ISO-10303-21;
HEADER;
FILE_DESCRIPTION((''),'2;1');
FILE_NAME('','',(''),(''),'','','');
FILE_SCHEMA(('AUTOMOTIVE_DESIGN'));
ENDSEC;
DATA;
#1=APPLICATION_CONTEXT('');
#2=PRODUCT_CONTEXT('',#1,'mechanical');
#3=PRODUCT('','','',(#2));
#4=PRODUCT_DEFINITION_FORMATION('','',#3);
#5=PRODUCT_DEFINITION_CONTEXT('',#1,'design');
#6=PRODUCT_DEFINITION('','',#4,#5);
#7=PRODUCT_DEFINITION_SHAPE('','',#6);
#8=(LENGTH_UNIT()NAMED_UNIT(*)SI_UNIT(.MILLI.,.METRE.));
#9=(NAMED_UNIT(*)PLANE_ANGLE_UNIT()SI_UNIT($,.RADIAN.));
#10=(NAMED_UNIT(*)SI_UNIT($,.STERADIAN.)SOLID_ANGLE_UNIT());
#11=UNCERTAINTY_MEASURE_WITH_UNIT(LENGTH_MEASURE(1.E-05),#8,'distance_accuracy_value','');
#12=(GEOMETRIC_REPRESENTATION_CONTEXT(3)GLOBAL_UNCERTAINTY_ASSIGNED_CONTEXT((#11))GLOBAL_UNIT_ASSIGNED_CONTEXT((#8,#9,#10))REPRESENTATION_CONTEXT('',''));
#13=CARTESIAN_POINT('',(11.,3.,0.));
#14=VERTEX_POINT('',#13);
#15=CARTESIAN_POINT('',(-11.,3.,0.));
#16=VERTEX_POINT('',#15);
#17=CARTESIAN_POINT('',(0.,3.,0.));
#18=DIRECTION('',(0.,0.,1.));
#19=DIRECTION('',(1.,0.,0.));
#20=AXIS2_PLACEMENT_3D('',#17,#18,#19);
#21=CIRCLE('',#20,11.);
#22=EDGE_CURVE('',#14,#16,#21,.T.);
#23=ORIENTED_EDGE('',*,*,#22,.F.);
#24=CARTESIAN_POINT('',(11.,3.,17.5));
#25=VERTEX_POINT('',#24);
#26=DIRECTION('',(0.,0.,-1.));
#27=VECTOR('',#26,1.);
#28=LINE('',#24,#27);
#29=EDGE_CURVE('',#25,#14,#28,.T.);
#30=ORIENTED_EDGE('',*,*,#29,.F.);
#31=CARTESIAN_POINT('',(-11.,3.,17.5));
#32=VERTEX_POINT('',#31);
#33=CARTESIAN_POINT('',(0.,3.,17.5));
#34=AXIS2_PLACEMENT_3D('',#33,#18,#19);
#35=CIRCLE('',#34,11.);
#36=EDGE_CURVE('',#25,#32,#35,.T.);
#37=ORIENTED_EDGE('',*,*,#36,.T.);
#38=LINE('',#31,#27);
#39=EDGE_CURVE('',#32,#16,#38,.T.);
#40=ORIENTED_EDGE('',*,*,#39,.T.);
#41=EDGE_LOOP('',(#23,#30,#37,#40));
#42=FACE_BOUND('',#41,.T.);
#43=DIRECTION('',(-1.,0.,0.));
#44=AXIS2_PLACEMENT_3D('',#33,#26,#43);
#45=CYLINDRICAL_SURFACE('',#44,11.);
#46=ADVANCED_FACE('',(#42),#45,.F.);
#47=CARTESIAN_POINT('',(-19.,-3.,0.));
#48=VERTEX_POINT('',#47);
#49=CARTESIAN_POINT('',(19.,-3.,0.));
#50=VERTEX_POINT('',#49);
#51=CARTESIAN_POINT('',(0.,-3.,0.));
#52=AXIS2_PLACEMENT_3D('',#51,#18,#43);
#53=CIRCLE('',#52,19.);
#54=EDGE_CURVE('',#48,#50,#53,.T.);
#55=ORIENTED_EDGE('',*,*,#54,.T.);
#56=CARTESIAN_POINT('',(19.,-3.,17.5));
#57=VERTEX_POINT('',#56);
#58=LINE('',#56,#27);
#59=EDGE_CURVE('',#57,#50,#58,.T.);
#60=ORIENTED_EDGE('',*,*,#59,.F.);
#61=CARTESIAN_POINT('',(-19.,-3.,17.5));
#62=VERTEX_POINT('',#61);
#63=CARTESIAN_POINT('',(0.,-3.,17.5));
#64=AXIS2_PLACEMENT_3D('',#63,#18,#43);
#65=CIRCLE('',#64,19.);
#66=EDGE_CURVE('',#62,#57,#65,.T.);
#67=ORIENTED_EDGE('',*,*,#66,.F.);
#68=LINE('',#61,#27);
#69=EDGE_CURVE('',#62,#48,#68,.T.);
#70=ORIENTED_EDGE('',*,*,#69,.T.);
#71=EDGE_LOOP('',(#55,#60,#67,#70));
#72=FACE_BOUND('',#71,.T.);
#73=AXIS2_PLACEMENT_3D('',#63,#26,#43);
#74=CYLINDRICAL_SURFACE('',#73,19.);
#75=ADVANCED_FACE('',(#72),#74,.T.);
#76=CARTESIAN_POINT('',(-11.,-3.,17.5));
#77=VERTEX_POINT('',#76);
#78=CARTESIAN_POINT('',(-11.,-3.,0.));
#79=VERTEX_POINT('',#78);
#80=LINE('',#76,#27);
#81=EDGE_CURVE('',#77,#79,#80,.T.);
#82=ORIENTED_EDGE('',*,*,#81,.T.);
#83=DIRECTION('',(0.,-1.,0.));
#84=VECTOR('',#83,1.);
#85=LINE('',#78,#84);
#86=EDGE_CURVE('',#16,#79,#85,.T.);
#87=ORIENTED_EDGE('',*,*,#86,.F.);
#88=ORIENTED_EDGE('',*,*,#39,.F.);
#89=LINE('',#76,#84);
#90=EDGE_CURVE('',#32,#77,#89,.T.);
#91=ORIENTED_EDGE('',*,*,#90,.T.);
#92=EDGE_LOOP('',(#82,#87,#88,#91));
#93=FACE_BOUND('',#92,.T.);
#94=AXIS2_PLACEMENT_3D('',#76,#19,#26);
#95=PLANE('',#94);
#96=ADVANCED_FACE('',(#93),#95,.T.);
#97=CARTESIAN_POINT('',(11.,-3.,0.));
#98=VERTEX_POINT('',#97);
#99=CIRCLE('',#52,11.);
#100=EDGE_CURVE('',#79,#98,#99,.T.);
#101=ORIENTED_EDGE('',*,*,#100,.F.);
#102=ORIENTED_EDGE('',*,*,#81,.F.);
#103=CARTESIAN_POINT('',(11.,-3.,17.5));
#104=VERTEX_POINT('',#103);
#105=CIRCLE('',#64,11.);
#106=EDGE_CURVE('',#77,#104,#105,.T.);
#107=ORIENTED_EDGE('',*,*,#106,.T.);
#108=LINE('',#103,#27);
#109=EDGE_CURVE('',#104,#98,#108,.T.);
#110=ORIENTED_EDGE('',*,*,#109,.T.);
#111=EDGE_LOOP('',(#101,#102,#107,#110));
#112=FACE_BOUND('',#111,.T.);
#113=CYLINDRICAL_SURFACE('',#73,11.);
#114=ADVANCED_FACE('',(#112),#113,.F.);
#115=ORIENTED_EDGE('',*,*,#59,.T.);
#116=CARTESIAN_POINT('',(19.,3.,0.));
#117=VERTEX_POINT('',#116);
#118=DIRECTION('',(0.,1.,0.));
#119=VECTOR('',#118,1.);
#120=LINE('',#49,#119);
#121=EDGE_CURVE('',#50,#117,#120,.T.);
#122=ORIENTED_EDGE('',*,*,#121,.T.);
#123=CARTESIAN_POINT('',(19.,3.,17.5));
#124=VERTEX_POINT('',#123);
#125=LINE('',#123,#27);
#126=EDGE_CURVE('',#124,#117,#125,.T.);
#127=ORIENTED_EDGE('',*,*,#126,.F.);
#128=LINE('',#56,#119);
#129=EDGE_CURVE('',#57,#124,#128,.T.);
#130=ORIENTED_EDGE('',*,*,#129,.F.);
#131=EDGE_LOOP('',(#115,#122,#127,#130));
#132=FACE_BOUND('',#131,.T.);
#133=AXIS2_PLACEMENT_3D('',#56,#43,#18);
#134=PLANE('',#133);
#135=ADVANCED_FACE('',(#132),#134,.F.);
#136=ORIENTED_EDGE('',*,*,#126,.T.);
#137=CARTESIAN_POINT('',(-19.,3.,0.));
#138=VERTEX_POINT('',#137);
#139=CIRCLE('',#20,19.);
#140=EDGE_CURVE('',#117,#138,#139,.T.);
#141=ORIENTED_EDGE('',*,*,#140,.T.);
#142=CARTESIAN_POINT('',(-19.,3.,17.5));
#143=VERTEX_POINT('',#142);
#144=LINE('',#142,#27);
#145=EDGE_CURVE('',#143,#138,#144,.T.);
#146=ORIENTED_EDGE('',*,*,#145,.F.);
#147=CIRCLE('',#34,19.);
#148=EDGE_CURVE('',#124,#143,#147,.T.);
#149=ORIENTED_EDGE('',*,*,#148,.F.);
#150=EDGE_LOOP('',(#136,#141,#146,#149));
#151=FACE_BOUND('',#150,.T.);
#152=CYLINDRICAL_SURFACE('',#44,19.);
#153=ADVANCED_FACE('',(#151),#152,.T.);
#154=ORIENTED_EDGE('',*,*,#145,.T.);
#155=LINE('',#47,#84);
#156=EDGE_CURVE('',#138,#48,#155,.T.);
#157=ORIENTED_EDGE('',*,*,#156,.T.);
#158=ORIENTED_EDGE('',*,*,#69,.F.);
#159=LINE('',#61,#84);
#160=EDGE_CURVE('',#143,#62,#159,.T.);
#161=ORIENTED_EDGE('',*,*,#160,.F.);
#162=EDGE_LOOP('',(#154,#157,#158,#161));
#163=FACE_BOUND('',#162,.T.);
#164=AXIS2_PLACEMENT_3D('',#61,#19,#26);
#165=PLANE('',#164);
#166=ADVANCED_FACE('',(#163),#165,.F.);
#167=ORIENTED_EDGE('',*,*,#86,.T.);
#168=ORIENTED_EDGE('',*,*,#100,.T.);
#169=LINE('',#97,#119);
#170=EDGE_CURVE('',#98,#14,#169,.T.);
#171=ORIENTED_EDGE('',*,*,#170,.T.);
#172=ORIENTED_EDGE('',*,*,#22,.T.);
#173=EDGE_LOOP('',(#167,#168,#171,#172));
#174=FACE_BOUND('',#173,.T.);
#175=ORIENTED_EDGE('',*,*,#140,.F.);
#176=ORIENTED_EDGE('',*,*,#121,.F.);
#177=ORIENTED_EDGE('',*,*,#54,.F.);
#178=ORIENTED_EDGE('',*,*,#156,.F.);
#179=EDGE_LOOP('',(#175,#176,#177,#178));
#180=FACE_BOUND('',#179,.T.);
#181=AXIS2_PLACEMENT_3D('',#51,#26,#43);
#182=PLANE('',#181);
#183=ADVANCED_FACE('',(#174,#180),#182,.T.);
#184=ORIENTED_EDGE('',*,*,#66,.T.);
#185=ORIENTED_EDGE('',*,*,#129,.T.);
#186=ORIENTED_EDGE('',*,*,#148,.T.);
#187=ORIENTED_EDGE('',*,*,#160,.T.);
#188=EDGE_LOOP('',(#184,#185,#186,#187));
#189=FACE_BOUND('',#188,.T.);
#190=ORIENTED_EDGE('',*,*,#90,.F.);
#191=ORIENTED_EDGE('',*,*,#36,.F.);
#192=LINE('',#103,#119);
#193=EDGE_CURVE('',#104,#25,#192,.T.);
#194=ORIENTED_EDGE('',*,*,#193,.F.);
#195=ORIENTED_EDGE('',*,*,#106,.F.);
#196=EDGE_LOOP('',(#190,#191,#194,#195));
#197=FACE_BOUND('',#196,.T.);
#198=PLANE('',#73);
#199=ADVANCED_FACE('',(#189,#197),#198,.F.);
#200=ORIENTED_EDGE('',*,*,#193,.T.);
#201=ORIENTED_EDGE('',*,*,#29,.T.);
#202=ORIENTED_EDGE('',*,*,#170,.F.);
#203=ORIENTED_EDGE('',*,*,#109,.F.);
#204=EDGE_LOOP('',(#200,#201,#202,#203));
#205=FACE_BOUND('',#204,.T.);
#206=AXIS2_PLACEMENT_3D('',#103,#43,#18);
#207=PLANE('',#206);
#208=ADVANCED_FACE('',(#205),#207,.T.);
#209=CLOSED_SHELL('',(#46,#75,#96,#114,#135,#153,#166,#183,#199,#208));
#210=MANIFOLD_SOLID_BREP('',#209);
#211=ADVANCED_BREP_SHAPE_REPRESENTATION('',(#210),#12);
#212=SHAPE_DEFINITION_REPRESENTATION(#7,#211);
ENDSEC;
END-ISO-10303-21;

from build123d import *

# Parameters (mm, degrees)
EXTRUDE_1_DEPTH = 17.5


with BuildPart() as part:
    # Эскиз1 → Вытянуть1 (new body)
    with BuildSketch(Plane.XY):
        with BuildLine():
            Line((-19, -3), (-19, 3))
            ThreePointArc((-19, 3), (0, 22), (19, 3))
            Line((19, 3), (19, -3))
            ThreePointArc((19, -3), (0, -22), (-19, -3))
        make_face()
        with BuildLine():
            Line((-11, -3), (-11, 3))
            ThreePointArc((-11, 3), (0, 14), (11, 3))
            Line((11, 3), (11, -3))
            ThreePointArc((11, -3), (0, -14), (-11, -3))
        make_face(mode=Mode.SUBTRACT)
    extrude(amount=EXTRUDE_1_DEPTH)


solid = part.part
